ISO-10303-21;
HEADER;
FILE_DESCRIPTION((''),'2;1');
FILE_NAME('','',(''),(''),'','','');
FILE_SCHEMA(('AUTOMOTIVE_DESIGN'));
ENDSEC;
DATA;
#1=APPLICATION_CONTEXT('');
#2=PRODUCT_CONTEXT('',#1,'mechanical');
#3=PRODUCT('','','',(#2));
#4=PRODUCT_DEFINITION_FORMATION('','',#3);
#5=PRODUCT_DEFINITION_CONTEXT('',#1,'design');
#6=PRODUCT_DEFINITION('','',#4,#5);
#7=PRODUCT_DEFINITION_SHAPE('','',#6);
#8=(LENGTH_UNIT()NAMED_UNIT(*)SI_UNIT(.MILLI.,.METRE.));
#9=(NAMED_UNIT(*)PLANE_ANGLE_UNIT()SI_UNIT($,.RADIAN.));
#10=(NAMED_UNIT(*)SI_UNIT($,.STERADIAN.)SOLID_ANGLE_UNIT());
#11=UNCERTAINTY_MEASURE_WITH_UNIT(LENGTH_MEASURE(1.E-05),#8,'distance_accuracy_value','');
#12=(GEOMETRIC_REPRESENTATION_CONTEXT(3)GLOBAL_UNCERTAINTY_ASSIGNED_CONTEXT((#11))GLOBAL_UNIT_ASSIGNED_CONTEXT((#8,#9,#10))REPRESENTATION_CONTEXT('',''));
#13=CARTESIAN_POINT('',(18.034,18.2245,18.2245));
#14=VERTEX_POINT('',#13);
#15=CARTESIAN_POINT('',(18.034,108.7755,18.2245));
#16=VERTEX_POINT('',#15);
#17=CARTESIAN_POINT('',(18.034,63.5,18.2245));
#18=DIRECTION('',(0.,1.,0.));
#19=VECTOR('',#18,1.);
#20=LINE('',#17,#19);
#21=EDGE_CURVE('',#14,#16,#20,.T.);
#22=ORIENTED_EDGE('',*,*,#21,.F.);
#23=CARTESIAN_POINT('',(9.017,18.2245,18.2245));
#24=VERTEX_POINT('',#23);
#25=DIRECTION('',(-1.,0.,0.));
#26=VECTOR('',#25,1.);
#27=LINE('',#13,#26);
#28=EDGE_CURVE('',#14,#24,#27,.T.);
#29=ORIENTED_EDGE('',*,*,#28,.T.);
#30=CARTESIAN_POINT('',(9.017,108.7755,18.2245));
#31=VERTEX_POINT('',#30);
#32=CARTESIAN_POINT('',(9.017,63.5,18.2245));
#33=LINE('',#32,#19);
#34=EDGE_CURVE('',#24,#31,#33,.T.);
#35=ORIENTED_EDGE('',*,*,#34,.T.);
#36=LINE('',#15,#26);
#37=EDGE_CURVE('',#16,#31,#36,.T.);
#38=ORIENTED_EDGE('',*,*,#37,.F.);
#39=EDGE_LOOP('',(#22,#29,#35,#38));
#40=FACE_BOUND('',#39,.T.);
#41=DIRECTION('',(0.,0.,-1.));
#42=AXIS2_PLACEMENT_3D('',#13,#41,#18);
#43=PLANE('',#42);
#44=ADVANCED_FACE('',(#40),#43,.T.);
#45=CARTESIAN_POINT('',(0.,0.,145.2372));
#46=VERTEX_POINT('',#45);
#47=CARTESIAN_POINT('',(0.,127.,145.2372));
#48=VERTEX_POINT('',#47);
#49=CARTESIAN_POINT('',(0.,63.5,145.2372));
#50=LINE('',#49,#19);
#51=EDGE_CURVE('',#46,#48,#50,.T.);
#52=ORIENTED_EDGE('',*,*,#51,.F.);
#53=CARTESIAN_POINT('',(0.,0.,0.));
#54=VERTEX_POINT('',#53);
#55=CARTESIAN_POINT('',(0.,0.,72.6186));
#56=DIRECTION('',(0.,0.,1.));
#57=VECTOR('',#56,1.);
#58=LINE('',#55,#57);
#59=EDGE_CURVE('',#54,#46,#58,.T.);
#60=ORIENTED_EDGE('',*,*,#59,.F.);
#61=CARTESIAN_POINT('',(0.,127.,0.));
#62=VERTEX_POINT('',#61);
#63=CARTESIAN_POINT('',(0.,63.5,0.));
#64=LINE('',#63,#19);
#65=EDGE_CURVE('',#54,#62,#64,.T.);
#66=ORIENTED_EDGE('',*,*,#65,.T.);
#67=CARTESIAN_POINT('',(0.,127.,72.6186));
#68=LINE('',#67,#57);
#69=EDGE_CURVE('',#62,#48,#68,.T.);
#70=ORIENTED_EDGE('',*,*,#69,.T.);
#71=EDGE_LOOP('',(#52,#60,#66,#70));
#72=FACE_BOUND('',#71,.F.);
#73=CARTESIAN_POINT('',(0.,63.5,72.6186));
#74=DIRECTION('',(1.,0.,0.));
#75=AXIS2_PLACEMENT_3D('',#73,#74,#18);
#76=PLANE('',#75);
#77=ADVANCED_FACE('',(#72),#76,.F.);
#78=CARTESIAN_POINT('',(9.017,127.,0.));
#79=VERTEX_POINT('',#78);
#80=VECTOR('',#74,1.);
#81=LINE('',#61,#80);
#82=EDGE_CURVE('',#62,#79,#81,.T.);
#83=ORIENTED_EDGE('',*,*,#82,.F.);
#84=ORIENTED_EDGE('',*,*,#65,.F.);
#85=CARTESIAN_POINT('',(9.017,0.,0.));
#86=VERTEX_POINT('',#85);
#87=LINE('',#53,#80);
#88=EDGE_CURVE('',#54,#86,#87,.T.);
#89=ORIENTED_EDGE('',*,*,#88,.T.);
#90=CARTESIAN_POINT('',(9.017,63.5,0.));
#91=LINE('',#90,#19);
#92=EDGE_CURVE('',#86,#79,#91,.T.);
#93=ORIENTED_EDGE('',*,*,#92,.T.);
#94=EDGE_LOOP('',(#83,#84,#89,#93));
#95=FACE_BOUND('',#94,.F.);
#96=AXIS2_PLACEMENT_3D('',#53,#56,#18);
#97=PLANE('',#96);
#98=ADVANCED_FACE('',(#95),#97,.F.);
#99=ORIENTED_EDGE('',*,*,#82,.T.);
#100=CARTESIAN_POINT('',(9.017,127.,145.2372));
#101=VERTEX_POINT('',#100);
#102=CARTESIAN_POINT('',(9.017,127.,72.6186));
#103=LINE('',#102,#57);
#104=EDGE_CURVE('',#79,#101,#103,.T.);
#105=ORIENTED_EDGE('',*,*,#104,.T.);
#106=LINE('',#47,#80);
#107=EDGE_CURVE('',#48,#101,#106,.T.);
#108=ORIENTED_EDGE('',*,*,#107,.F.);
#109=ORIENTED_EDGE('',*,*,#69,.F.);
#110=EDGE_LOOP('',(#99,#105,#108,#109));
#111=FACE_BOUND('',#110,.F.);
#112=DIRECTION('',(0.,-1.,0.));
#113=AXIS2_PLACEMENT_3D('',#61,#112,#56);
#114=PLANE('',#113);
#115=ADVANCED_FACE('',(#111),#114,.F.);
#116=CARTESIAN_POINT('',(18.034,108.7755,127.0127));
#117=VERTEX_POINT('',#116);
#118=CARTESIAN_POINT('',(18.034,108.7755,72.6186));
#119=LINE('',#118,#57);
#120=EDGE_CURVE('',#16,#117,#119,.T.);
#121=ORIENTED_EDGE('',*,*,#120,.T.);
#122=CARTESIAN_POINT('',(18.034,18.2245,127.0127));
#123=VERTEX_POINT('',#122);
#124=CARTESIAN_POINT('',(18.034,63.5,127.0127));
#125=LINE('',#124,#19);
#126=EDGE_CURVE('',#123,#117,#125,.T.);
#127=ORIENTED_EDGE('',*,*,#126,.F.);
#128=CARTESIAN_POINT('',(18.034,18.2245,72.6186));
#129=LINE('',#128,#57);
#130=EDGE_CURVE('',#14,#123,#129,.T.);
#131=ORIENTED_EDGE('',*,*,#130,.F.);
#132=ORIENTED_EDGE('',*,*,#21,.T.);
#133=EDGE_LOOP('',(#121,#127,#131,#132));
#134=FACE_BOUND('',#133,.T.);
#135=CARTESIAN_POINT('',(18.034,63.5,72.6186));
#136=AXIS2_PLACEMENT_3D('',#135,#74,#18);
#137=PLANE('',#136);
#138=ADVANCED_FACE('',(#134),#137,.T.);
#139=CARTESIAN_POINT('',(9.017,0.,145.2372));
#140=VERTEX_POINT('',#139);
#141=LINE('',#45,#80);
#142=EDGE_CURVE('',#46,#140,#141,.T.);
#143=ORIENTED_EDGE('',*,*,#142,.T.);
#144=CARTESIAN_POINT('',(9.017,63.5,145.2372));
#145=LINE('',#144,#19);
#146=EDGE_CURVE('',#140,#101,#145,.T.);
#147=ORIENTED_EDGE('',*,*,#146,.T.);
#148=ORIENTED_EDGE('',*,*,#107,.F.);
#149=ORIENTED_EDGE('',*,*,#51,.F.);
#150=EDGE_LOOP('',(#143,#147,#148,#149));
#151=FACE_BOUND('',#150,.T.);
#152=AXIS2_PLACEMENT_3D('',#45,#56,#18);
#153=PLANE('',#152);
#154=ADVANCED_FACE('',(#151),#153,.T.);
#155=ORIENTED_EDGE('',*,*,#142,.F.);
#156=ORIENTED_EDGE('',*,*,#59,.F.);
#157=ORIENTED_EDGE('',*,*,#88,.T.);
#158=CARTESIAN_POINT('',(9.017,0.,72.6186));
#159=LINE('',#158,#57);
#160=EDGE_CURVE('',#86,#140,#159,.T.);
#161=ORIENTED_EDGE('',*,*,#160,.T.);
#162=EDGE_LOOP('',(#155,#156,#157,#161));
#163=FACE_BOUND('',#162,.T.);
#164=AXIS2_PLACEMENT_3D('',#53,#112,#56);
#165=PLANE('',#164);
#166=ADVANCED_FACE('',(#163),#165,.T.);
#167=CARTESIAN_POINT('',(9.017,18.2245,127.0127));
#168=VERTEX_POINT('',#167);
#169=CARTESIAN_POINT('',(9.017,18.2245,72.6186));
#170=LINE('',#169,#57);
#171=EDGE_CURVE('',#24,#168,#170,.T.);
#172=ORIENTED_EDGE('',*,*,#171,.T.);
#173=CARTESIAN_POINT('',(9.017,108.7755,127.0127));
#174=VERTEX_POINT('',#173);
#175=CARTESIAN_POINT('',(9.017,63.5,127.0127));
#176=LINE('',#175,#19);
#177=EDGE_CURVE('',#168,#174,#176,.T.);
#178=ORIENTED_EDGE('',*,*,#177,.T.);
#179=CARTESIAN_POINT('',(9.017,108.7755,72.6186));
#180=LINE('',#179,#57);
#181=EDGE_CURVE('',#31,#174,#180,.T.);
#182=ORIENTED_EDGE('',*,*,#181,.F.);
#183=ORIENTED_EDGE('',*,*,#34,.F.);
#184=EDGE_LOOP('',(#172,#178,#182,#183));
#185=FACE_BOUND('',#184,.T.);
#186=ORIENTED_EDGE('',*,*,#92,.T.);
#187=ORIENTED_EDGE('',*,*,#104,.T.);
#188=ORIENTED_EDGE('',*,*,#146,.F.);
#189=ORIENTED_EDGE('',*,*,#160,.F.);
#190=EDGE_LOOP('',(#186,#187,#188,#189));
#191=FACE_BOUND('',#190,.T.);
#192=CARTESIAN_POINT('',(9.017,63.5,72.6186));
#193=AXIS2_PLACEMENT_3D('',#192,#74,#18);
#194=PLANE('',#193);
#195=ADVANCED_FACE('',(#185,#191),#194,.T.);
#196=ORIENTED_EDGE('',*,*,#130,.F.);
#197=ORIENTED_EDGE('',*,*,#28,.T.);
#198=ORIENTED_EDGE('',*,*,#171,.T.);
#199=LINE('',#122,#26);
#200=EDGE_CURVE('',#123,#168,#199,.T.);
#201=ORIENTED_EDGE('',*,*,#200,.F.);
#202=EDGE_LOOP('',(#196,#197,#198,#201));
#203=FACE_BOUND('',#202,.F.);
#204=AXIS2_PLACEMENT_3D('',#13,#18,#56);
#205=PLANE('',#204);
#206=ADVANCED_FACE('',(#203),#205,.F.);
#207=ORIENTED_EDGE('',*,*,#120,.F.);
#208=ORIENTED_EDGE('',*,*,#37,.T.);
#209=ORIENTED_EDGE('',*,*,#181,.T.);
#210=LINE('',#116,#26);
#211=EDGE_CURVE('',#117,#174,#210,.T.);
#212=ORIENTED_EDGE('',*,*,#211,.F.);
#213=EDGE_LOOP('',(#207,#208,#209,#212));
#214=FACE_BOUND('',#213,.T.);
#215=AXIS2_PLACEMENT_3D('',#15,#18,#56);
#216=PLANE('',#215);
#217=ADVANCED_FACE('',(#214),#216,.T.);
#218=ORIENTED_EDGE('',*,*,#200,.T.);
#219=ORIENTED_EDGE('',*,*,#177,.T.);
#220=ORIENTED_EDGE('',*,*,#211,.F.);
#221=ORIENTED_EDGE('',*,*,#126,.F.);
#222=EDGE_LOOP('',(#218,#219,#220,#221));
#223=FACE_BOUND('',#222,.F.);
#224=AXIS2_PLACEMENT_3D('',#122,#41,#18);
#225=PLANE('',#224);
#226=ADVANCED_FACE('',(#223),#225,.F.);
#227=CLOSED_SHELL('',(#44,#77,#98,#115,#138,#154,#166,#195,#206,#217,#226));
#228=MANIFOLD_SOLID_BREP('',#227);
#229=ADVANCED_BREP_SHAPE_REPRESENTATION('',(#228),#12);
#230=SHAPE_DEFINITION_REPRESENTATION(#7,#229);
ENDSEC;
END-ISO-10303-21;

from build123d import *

# Parameters (mm, degrees)
F0_W     = 127
F0_H     = 145.2372
F1_DEPTH = 18.034
F2_W     = 127
F2_H     = 145.2372
F2_W_2   = 90.551
F2_H_2   = 108.7882
F3_DEPTH = 9.017


with BuildPart() as f1:
    # F0 (on Right) → F1 (new body)
    with BuildSketch(Plane.YZ):
        with Locations((63.5, 72.6186)):
            Rectangle(F0_W, F0_H)
    extrude(amount=F1_DEPTH)

    # F2 (on face) → F3 (cut)
    with BuildSketch(Plane.YZ.offset(18.034)):
        with Locations((63.5, 72.6186)):
            Rectangle(F2_W, F2_H)
        with Locations((63.5, 72.6186)):
            Rectangle(F2_W_2, F2_H_2, mode=Mode.SUBTRACT)
    extrude(amount=-F3_DEPTH, mode=Mode.SUBTRACT)


solid = f1.part
